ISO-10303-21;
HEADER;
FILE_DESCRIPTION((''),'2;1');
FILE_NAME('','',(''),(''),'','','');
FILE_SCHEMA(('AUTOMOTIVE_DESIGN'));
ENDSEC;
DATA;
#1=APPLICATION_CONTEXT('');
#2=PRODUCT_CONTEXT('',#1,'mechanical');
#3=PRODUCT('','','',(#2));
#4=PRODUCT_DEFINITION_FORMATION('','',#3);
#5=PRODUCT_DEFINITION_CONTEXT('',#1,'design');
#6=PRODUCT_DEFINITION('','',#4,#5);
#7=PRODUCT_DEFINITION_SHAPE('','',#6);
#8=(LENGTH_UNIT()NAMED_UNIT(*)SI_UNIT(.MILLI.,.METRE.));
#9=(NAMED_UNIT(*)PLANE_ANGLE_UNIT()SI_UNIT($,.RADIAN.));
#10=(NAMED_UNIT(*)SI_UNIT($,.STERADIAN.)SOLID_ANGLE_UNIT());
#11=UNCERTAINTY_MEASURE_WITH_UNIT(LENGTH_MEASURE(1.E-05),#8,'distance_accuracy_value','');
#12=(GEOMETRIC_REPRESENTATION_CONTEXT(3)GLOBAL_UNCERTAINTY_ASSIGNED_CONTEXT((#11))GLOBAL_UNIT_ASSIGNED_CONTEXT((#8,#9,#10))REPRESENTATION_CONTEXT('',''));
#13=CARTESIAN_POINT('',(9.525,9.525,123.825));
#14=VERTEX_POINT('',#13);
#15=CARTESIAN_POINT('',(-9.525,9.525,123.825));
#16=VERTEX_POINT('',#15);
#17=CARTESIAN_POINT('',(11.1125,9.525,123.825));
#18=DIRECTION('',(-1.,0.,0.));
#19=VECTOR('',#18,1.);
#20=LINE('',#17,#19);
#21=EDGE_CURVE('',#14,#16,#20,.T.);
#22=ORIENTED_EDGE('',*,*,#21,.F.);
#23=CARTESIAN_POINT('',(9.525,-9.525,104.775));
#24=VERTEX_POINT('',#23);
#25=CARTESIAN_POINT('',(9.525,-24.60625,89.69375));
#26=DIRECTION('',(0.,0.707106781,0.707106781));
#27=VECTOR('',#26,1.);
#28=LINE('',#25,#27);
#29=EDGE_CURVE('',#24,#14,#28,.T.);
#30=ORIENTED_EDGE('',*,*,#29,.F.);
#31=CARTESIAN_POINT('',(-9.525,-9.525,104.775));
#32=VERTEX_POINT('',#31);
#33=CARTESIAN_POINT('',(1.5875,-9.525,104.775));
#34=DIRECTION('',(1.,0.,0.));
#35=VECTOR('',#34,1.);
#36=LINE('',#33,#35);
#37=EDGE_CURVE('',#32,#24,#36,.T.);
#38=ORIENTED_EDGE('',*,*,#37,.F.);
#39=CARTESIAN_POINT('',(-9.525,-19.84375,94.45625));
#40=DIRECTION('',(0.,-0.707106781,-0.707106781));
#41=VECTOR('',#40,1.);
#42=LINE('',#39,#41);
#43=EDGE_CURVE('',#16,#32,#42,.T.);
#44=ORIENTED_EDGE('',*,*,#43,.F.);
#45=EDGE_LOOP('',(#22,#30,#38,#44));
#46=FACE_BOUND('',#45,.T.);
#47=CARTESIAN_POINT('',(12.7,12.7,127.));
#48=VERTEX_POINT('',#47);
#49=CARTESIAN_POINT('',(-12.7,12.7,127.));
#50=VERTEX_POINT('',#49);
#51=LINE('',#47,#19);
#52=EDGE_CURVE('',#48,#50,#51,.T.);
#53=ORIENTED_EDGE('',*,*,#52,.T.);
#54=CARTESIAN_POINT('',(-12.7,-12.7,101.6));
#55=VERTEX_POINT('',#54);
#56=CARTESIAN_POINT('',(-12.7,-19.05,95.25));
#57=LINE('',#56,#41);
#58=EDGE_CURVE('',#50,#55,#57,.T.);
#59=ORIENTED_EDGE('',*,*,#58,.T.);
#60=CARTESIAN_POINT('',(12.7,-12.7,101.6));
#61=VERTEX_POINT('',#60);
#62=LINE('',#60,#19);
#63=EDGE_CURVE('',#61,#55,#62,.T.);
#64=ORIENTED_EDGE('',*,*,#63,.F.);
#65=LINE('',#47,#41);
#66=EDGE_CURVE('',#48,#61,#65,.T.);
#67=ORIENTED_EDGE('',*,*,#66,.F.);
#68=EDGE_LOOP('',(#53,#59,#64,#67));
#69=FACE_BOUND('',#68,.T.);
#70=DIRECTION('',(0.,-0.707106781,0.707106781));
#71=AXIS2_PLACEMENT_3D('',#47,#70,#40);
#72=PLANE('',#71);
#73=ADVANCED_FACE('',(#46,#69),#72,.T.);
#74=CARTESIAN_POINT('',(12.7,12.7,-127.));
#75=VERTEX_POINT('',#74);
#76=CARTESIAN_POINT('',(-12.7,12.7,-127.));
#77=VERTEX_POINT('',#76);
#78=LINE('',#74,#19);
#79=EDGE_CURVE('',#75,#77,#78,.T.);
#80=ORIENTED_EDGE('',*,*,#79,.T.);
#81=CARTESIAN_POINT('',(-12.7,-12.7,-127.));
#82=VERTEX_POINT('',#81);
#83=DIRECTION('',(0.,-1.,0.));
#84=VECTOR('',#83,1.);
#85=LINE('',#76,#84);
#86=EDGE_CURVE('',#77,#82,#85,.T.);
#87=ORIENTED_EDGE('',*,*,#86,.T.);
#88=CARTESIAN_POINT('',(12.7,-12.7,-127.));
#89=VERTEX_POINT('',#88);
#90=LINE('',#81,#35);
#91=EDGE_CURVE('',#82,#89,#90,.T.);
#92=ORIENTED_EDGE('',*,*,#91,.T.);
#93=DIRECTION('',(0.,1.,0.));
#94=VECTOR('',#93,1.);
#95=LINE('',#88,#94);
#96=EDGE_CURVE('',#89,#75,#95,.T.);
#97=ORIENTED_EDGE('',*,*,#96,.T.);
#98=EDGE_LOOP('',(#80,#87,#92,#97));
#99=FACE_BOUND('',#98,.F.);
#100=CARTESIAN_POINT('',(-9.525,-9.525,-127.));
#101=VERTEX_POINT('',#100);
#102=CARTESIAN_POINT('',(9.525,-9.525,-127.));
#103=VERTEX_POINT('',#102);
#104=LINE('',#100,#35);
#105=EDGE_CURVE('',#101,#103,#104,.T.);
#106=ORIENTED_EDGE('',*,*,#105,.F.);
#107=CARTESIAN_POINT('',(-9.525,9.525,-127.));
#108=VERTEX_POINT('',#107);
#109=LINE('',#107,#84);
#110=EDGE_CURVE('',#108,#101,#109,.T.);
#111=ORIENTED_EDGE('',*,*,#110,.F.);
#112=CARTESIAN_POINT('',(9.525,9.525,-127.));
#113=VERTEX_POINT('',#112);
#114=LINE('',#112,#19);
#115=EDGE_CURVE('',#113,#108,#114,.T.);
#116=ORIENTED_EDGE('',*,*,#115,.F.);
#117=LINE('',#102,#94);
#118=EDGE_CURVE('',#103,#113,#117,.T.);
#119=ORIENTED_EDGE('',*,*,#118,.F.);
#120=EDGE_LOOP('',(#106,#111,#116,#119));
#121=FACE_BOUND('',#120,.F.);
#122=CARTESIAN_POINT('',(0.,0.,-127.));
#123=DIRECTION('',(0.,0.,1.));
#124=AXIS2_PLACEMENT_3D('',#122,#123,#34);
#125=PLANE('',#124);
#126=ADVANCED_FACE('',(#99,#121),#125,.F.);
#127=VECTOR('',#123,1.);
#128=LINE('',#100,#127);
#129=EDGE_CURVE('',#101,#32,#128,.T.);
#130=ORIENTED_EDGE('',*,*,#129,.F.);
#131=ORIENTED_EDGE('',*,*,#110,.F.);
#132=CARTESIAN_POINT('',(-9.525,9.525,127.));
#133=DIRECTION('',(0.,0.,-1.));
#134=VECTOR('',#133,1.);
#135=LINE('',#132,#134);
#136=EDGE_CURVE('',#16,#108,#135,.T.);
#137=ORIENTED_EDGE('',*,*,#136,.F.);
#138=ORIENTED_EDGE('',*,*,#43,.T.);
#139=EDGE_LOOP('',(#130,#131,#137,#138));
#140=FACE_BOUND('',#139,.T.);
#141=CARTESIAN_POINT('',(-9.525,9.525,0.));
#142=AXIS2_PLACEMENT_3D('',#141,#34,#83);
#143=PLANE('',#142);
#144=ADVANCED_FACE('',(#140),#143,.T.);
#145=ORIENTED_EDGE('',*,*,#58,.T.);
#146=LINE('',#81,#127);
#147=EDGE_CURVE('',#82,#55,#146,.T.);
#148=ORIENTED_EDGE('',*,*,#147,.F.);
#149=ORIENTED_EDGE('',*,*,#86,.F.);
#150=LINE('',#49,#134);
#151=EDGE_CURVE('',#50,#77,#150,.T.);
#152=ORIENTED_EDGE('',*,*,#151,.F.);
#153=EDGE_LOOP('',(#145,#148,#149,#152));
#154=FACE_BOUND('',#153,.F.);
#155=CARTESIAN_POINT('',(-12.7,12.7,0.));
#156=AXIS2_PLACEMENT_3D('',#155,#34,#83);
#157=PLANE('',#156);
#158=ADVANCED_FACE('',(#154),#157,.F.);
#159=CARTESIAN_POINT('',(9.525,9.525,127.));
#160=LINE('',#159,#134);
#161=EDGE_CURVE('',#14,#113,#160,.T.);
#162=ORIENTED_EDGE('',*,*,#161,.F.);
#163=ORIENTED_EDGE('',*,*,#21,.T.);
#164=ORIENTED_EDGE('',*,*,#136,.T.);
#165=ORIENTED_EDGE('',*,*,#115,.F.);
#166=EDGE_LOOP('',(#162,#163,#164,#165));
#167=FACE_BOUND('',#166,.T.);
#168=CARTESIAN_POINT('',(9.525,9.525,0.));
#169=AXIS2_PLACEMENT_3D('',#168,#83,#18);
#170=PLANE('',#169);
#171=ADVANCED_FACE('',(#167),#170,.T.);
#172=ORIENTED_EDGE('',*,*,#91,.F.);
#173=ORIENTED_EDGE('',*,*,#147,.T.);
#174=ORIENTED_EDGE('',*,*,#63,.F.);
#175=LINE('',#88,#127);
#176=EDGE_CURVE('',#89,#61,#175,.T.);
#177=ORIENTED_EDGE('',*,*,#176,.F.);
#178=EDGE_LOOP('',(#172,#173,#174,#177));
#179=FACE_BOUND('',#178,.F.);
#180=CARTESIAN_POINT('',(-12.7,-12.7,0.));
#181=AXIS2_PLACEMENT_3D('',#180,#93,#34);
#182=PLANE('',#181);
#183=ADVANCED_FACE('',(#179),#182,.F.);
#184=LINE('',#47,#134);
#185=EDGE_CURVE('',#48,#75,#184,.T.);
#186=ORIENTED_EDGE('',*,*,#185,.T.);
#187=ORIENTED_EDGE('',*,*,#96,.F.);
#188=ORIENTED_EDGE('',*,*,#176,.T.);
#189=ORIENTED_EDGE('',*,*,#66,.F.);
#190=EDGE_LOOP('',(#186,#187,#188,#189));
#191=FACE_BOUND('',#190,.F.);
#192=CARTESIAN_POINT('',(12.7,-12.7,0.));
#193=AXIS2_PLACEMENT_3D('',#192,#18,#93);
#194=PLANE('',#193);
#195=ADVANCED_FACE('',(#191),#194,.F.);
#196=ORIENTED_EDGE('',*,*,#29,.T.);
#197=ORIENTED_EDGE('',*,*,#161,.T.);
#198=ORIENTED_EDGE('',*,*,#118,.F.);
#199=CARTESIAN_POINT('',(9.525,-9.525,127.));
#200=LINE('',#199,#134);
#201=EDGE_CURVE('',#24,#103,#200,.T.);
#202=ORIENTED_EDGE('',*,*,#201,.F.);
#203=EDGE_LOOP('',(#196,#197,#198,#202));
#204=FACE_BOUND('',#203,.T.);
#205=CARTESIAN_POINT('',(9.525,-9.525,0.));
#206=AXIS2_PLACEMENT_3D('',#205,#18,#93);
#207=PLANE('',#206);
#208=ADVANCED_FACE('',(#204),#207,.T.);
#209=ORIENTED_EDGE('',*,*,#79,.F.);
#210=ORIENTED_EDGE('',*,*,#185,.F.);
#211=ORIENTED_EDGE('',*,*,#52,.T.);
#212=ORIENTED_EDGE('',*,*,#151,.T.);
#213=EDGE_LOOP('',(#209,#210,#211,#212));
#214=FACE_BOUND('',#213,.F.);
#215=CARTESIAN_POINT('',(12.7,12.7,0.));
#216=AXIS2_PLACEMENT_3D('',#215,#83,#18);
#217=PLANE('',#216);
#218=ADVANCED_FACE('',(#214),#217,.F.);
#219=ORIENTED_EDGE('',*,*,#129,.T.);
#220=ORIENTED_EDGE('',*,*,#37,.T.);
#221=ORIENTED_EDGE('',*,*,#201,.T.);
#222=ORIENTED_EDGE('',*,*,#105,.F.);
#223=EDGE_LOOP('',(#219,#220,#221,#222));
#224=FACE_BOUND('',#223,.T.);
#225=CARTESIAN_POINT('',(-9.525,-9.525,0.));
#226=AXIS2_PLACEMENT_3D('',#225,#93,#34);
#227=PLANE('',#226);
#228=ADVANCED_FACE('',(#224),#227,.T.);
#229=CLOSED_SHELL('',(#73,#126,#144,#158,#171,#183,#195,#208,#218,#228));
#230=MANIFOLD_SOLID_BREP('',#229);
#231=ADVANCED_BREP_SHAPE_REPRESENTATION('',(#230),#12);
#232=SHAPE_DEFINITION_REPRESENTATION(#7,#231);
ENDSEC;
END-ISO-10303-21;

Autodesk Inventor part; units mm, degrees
ref_plane "YZ Plane" through (0, 0, 0) normal (1, 0, 0) x (0, 1, 0)
ref_plane "XZ Plane" through (0, 0, 0) normal (0, 1, 0) x (-1, 0, 0)
ref_plane "XY Plane" through (0, 0, 0) normal (0, 0, 1) x (1, 0, 0)
sketch "Sketch1" plane through (0, 0, 0) normal (0, 0, 1) x (1, 0, 0)
  line L0 (-12.7, -12.7) -> (12.7, -12.7)
  line L1 (12.7, -12.7) -> (12.7, 12.7)
  line L2 (12.7, 12.7) -> (-12.7, 12.7)
  line L3 (-12.7, 12.7) -> (-12.7, -12.7)
  line L4 (-12.7, -12.7) -> (12.7, 12.7) construction
  line L5 (12.7, -12.7) -> (-12.7, 12.7) construction
  line L6 (-9.525, -9.525) -> (9.525, -9.525)
  line L7 (9.525, -9.525) -> (9.525, 9.525)
  line L8 (9.525, 9.525) -> (-9.525, 9.525)
  line L9 (-9.525, 9.525) -> (-9.525, -9.525)
  line L10 (-9.525, -9.525) -> (9.525, 9.525) construction
  line L11 (9.525, -9.525) -> (-9.525, 9.525) construction
  point P0 (0, 0)
  dimension "d0" = 25.4
  dimension "d1" = 25.4
  dimension "d2" = 3.175
  dimension "d3" = 3.175
extrude "Extrusion1" add sketch "Sketch1" along normal mid plane 254
sketch "Sketch5" plane through (12.7, -12.7, 127) normal (1, 0, 0) x (0, 0, -1)
  line L0 (0, 25.4) -> (0, 0) projected
  line L1 (0, 25.4) -> (25.4, 0)
  line L2 (0, 0) -> (254, 0) projected
  line L3 (0, 25.4) -> (35.921, 25.4) construction
  line L4 (25.4, 0) -> (0, 0)
  line L5 (0, 0) -> (0, 25.4)
  line L6 (0, 22.225) -> (0, 3.175) projected
  point P0 (127, 12.7)
  dimension "d12" = 45
extrude "Extrusion3" cut sketch "Sketch5" against normal through all
properties part number "10-inchAluminumTubingWithOne45DegreeCut" material "Aluminum 6061"
